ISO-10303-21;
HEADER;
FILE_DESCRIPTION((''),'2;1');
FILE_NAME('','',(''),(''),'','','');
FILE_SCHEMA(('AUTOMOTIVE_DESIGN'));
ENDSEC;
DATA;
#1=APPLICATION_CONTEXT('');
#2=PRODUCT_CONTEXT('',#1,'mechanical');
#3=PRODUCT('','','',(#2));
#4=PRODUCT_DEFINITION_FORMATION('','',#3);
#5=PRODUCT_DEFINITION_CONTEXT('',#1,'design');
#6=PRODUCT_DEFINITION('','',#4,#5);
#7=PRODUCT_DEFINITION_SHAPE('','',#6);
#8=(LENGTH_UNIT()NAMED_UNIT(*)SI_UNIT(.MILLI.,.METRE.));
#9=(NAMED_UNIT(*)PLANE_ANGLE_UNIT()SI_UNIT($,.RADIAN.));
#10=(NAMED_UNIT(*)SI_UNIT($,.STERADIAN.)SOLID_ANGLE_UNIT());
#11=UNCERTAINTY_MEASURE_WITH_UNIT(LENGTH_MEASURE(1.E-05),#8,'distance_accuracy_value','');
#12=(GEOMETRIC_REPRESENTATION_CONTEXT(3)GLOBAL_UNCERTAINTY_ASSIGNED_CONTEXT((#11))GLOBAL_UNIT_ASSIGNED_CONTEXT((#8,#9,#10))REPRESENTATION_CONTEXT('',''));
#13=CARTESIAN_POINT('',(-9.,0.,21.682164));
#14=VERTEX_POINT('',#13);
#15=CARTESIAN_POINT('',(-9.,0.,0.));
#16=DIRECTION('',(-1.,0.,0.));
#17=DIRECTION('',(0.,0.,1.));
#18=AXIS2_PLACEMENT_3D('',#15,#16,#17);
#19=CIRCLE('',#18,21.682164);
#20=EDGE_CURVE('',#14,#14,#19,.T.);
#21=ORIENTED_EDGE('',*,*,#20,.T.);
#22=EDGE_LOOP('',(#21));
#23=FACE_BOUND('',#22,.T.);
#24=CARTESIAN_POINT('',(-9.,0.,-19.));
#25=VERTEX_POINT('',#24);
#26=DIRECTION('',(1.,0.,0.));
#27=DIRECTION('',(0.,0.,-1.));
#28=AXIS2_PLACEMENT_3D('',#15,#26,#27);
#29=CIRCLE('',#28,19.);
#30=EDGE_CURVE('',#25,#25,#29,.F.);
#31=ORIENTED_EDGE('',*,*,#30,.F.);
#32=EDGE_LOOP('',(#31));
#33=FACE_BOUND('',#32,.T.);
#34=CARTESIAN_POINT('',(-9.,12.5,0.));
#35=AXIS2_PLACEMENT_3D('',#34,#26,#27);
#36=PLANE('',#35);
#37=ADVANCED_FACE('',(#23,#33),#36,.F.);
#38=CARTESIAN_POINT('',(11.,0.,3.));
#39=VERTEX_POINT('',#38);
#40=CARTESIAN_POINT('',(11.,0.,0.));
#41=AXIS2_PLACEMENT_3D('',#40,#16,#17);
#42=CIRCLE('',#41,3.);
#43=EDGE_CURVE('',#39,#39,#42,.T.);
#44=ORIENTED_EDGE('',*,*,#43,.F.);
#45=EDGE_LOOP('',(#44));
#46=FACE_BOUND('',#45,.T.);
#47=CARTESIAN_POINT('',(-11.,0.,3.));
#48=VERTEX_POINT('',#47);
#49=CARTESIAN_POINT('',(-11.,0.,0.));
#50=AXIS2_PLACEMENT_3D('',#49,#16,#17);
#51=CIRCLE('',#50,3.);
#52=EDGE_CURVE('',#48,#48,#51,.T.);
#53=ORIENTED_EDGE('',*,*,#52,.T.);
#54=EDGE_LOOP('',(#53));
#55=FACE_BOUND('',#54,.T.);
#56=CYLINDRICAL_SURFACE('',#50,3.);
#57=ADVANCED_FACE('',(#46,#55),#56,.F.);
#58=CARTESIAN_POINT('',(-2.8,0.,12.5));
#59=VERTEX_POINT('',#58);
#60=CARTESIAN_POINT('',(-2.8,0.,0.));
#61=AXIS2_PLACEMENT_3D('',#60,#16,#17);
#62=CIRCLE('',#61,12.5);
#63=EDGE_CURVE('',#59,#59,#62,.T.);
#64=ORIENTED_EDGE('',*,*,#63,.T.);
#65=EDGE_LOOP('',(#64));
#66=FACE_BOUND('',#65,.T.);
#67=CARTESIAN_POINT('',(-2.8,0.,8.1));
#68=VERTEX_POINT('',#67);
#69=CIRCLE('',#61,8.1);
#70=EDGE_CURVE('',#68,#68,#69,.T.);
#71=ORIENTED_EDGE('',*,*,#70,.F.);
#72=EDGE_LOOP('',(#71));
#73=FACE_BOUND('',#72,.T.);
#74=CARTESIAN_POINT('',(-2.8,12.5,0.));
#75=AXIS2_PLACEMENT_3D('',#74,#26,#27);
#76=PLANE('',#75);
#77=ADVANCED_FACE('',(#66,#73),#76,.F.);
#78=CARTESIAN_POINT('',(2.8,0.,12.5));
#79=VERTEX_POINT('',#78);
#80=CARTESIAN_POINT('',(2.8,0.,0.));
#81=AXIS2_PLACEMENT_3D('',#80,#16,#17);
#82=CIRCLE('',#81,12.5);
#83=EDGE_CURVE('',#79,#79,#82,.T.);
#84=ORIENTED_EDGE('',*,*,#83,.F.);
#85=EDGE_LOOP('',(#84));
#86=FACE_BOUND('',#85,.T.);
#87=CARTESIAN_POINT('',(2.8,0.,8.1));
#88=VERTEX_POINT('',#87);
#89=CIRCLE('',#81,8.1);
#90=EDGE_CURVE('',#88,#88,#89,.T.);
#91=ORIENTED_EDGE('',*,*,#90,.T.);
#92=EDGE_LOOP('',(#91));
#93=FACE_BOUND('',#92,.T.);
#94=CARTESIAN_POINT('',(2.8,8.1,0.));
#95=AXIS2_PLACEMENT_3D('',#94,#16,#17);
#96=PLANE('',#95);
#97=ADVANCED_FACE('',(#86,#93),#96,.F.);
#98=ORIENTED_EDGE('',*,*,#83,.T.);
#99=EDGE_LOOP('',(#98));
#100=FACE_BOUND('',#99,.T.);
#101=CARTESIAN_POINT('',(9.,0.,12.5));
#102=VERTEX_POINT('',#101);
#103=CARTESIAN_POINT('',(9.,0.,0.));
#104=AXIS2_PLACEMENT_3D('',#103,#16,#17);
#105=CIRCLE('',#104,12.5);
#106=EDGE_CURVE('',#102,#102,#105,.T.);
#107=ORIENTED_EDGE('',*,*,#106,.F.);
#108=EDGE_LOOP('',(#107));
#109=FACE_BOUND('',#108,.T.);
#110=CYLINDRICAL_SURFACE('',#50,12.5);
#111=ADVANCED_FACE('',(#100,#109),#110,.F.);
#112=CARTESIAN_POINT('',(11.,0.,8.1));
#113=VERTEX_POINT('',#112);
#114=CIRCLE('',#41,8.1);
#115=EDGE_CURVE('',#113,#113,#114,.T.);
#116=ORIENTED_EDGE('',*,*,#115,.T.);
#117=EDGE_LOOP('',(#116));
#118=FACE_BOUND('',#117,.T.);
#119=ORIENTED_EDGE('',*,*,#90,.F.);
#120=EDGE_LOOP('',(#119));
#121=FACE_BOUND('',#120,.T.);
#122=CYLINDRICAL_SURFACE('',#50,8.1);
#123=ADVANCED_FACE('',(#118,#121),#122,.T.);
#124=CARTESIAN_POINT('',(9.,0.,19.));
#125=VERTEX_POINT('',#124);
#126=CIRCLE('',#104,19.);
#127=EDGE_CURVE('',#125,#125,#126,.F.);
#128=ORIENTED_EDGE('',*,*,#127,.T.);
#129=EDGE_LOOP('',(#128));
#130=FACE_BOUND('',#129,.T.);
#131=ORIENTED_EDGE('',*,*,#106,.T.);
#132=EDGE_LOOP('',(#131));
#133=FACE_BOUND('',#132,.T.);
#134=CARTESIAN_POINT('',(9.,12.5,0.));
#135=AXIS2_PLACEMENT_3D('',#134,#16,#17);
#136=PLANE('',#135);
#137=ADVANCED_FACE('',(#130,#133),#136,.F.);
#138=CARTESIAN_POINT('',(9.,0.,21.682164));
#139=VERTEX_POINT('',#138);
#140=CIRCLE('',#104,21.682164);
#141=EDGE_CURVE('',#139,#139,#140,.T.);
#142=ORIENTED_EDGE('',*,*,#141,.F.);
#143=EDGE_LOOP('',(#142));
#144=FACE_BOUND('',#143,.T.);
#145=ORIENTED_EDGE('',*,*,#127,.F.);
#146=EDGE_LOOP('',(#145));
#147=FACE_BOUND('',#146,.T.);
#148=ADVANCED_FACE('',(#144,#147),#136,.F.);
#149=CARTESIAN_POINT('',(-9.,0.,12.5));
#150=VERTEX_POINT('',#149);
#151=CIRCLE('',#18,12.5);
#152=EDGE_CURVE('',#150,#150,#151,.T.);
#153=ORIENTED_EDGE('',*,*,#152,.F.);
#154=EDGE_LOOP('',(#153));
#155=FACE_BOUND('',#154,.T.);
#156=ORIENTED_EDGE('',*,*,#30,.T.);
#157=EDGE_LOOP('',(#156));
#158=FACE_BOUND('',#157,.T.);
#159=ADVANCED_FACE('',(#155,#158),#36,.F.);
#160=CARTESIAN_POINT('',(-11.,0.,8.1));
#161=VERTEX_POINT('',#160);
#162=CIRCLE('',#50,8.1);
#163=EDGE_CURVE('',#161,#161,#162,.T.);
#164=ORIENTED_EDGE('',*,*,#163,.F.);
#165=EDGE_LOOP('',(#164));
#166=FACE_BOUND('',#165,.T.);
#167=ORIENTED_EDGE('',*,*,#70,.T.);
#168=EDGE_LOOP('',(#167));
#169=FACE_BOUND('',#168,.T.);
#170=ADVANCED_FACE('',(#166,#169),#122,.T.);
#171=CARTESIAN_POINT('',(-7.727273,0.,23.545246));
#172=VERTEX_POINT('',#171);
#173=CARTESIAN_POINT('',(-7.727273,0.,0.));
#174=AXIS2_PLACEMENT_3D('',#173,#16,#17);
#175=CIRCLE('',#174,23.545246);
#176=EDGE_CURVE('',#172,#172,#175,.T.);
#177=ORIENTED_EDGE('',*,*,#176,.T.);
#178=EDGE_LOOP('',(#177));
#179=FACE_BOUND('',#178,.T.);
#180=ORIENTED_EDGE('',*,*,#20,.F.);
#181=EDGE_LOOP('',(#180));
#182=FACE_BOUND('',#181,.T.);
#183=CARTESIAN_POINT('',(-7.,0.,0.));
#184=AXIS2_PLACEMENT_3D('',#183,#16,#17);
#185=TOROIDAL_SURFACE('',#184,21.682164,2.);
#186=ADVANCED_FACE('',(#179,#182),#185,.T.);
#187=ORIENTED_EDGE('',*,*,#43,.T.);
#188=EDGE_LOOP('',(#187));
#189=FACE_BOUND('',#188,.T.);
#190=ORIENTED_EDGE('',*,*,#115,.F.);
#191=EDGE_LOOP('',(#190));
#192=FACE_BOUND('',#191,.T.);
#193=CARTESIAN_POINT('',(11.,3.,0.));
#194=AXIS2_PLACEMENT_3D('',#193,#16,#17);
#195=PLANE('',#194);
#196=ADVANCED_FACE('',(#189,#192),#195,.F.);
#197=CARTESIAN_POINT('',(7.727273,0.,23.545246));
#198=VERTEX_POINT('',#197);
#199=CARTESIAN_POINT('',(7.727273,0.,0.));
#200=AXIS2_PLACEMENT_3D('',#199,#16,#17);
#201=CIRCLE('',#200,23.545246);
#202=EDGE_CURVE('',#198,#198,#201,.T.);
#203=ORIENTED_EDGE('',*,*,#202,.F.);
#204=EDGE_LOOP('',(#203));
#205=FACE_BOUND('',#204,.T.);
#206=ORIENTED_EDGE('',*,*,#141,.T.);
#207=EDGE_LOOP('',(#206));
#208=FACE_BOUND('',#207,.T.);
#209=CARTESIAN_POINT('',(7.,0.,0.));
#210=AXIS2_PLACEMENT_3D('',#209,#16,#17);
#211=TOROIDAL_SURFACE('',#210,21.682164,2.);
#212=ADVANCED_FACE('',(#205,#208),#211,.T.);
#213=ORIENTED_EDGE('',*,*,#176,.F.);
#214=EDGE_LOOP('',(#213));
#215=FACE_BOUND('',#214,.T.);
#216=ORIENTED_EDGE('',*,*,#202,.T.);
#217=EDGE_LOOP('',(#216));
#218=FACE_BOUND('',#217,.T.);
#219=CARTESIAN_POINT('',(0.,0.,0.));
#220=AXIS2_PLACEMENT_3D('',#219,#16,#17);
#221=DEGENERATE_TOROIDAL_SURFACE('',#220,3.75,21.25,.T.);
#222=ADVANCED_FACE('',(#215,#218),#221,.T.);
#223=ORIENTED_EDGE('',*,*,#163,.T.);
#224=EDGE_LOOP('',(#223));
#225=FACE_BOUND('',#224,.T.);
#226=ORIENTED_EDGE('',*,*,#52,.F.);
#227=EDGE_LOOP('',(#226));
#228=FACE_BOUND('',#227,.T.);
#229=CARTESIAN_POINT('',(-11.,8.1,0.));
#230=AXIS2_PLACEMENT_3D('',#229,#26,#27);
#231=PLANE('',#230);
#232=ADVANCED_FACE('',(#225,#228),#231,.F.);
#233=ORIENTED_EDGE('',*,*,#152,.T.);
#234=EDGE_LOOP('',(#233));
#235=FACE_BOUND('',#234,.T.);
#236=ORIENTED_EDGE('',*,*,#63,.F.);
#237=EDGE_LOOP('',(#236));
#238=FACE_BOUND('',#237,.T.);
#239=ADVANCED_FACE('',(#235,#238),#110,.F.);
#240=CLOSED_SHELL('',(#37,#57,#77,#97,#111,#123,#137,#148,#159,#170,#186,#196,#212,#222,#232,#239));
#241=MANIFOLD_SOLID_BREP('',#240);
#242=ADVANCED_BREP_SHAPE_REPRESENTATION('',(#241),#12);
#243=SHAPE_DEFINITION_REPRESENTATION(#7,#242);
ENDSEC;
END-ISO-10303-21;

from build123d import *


with BuildPart() as part:
    # Esquisse2 → Révolution1 (revolve)
    with BuildSketch(Plane.XY):
        with BuildLine():
            Line((-11, 3), (11, 3))
            Line((11, 3), (11, 8.1))
            Line((11, 8.1), (2.8, 8.1))
            Line((2.8, 8.1), (2.8, 12.5))
            Line((2.8, 12.5), (9, 12.5))
            Line((9, 12.5), (9, 21.68216384))
            ThreePointArc((9, 21.68216384), (8.651445648, 22.81031599), (7.727272727, 23.545245798))
            ThreePointArc((7.727272727, 23.545245798), (0, 25), (-7.727272727, 23.545245798))
            ThreePointArc((-7.727272727, 23.545245798), (-8.651445648, 22.81031599), (-9, 21.68216384))
            Line((-9, 21.68216384), (-9, 12.5))
            Line((-9, 12.5), (-2.8, 12.5))
            Line((-2.8, 12.5), (-2.8, 8.1))
            Line((-2.8, 8.1), (-11, 8.1))
            Line((-11, 8.1), (-11, 3))
        make_face()
    revolve(axis=Axis((-11, 0, 0), (1, 0, 0)))


solid = part.part
